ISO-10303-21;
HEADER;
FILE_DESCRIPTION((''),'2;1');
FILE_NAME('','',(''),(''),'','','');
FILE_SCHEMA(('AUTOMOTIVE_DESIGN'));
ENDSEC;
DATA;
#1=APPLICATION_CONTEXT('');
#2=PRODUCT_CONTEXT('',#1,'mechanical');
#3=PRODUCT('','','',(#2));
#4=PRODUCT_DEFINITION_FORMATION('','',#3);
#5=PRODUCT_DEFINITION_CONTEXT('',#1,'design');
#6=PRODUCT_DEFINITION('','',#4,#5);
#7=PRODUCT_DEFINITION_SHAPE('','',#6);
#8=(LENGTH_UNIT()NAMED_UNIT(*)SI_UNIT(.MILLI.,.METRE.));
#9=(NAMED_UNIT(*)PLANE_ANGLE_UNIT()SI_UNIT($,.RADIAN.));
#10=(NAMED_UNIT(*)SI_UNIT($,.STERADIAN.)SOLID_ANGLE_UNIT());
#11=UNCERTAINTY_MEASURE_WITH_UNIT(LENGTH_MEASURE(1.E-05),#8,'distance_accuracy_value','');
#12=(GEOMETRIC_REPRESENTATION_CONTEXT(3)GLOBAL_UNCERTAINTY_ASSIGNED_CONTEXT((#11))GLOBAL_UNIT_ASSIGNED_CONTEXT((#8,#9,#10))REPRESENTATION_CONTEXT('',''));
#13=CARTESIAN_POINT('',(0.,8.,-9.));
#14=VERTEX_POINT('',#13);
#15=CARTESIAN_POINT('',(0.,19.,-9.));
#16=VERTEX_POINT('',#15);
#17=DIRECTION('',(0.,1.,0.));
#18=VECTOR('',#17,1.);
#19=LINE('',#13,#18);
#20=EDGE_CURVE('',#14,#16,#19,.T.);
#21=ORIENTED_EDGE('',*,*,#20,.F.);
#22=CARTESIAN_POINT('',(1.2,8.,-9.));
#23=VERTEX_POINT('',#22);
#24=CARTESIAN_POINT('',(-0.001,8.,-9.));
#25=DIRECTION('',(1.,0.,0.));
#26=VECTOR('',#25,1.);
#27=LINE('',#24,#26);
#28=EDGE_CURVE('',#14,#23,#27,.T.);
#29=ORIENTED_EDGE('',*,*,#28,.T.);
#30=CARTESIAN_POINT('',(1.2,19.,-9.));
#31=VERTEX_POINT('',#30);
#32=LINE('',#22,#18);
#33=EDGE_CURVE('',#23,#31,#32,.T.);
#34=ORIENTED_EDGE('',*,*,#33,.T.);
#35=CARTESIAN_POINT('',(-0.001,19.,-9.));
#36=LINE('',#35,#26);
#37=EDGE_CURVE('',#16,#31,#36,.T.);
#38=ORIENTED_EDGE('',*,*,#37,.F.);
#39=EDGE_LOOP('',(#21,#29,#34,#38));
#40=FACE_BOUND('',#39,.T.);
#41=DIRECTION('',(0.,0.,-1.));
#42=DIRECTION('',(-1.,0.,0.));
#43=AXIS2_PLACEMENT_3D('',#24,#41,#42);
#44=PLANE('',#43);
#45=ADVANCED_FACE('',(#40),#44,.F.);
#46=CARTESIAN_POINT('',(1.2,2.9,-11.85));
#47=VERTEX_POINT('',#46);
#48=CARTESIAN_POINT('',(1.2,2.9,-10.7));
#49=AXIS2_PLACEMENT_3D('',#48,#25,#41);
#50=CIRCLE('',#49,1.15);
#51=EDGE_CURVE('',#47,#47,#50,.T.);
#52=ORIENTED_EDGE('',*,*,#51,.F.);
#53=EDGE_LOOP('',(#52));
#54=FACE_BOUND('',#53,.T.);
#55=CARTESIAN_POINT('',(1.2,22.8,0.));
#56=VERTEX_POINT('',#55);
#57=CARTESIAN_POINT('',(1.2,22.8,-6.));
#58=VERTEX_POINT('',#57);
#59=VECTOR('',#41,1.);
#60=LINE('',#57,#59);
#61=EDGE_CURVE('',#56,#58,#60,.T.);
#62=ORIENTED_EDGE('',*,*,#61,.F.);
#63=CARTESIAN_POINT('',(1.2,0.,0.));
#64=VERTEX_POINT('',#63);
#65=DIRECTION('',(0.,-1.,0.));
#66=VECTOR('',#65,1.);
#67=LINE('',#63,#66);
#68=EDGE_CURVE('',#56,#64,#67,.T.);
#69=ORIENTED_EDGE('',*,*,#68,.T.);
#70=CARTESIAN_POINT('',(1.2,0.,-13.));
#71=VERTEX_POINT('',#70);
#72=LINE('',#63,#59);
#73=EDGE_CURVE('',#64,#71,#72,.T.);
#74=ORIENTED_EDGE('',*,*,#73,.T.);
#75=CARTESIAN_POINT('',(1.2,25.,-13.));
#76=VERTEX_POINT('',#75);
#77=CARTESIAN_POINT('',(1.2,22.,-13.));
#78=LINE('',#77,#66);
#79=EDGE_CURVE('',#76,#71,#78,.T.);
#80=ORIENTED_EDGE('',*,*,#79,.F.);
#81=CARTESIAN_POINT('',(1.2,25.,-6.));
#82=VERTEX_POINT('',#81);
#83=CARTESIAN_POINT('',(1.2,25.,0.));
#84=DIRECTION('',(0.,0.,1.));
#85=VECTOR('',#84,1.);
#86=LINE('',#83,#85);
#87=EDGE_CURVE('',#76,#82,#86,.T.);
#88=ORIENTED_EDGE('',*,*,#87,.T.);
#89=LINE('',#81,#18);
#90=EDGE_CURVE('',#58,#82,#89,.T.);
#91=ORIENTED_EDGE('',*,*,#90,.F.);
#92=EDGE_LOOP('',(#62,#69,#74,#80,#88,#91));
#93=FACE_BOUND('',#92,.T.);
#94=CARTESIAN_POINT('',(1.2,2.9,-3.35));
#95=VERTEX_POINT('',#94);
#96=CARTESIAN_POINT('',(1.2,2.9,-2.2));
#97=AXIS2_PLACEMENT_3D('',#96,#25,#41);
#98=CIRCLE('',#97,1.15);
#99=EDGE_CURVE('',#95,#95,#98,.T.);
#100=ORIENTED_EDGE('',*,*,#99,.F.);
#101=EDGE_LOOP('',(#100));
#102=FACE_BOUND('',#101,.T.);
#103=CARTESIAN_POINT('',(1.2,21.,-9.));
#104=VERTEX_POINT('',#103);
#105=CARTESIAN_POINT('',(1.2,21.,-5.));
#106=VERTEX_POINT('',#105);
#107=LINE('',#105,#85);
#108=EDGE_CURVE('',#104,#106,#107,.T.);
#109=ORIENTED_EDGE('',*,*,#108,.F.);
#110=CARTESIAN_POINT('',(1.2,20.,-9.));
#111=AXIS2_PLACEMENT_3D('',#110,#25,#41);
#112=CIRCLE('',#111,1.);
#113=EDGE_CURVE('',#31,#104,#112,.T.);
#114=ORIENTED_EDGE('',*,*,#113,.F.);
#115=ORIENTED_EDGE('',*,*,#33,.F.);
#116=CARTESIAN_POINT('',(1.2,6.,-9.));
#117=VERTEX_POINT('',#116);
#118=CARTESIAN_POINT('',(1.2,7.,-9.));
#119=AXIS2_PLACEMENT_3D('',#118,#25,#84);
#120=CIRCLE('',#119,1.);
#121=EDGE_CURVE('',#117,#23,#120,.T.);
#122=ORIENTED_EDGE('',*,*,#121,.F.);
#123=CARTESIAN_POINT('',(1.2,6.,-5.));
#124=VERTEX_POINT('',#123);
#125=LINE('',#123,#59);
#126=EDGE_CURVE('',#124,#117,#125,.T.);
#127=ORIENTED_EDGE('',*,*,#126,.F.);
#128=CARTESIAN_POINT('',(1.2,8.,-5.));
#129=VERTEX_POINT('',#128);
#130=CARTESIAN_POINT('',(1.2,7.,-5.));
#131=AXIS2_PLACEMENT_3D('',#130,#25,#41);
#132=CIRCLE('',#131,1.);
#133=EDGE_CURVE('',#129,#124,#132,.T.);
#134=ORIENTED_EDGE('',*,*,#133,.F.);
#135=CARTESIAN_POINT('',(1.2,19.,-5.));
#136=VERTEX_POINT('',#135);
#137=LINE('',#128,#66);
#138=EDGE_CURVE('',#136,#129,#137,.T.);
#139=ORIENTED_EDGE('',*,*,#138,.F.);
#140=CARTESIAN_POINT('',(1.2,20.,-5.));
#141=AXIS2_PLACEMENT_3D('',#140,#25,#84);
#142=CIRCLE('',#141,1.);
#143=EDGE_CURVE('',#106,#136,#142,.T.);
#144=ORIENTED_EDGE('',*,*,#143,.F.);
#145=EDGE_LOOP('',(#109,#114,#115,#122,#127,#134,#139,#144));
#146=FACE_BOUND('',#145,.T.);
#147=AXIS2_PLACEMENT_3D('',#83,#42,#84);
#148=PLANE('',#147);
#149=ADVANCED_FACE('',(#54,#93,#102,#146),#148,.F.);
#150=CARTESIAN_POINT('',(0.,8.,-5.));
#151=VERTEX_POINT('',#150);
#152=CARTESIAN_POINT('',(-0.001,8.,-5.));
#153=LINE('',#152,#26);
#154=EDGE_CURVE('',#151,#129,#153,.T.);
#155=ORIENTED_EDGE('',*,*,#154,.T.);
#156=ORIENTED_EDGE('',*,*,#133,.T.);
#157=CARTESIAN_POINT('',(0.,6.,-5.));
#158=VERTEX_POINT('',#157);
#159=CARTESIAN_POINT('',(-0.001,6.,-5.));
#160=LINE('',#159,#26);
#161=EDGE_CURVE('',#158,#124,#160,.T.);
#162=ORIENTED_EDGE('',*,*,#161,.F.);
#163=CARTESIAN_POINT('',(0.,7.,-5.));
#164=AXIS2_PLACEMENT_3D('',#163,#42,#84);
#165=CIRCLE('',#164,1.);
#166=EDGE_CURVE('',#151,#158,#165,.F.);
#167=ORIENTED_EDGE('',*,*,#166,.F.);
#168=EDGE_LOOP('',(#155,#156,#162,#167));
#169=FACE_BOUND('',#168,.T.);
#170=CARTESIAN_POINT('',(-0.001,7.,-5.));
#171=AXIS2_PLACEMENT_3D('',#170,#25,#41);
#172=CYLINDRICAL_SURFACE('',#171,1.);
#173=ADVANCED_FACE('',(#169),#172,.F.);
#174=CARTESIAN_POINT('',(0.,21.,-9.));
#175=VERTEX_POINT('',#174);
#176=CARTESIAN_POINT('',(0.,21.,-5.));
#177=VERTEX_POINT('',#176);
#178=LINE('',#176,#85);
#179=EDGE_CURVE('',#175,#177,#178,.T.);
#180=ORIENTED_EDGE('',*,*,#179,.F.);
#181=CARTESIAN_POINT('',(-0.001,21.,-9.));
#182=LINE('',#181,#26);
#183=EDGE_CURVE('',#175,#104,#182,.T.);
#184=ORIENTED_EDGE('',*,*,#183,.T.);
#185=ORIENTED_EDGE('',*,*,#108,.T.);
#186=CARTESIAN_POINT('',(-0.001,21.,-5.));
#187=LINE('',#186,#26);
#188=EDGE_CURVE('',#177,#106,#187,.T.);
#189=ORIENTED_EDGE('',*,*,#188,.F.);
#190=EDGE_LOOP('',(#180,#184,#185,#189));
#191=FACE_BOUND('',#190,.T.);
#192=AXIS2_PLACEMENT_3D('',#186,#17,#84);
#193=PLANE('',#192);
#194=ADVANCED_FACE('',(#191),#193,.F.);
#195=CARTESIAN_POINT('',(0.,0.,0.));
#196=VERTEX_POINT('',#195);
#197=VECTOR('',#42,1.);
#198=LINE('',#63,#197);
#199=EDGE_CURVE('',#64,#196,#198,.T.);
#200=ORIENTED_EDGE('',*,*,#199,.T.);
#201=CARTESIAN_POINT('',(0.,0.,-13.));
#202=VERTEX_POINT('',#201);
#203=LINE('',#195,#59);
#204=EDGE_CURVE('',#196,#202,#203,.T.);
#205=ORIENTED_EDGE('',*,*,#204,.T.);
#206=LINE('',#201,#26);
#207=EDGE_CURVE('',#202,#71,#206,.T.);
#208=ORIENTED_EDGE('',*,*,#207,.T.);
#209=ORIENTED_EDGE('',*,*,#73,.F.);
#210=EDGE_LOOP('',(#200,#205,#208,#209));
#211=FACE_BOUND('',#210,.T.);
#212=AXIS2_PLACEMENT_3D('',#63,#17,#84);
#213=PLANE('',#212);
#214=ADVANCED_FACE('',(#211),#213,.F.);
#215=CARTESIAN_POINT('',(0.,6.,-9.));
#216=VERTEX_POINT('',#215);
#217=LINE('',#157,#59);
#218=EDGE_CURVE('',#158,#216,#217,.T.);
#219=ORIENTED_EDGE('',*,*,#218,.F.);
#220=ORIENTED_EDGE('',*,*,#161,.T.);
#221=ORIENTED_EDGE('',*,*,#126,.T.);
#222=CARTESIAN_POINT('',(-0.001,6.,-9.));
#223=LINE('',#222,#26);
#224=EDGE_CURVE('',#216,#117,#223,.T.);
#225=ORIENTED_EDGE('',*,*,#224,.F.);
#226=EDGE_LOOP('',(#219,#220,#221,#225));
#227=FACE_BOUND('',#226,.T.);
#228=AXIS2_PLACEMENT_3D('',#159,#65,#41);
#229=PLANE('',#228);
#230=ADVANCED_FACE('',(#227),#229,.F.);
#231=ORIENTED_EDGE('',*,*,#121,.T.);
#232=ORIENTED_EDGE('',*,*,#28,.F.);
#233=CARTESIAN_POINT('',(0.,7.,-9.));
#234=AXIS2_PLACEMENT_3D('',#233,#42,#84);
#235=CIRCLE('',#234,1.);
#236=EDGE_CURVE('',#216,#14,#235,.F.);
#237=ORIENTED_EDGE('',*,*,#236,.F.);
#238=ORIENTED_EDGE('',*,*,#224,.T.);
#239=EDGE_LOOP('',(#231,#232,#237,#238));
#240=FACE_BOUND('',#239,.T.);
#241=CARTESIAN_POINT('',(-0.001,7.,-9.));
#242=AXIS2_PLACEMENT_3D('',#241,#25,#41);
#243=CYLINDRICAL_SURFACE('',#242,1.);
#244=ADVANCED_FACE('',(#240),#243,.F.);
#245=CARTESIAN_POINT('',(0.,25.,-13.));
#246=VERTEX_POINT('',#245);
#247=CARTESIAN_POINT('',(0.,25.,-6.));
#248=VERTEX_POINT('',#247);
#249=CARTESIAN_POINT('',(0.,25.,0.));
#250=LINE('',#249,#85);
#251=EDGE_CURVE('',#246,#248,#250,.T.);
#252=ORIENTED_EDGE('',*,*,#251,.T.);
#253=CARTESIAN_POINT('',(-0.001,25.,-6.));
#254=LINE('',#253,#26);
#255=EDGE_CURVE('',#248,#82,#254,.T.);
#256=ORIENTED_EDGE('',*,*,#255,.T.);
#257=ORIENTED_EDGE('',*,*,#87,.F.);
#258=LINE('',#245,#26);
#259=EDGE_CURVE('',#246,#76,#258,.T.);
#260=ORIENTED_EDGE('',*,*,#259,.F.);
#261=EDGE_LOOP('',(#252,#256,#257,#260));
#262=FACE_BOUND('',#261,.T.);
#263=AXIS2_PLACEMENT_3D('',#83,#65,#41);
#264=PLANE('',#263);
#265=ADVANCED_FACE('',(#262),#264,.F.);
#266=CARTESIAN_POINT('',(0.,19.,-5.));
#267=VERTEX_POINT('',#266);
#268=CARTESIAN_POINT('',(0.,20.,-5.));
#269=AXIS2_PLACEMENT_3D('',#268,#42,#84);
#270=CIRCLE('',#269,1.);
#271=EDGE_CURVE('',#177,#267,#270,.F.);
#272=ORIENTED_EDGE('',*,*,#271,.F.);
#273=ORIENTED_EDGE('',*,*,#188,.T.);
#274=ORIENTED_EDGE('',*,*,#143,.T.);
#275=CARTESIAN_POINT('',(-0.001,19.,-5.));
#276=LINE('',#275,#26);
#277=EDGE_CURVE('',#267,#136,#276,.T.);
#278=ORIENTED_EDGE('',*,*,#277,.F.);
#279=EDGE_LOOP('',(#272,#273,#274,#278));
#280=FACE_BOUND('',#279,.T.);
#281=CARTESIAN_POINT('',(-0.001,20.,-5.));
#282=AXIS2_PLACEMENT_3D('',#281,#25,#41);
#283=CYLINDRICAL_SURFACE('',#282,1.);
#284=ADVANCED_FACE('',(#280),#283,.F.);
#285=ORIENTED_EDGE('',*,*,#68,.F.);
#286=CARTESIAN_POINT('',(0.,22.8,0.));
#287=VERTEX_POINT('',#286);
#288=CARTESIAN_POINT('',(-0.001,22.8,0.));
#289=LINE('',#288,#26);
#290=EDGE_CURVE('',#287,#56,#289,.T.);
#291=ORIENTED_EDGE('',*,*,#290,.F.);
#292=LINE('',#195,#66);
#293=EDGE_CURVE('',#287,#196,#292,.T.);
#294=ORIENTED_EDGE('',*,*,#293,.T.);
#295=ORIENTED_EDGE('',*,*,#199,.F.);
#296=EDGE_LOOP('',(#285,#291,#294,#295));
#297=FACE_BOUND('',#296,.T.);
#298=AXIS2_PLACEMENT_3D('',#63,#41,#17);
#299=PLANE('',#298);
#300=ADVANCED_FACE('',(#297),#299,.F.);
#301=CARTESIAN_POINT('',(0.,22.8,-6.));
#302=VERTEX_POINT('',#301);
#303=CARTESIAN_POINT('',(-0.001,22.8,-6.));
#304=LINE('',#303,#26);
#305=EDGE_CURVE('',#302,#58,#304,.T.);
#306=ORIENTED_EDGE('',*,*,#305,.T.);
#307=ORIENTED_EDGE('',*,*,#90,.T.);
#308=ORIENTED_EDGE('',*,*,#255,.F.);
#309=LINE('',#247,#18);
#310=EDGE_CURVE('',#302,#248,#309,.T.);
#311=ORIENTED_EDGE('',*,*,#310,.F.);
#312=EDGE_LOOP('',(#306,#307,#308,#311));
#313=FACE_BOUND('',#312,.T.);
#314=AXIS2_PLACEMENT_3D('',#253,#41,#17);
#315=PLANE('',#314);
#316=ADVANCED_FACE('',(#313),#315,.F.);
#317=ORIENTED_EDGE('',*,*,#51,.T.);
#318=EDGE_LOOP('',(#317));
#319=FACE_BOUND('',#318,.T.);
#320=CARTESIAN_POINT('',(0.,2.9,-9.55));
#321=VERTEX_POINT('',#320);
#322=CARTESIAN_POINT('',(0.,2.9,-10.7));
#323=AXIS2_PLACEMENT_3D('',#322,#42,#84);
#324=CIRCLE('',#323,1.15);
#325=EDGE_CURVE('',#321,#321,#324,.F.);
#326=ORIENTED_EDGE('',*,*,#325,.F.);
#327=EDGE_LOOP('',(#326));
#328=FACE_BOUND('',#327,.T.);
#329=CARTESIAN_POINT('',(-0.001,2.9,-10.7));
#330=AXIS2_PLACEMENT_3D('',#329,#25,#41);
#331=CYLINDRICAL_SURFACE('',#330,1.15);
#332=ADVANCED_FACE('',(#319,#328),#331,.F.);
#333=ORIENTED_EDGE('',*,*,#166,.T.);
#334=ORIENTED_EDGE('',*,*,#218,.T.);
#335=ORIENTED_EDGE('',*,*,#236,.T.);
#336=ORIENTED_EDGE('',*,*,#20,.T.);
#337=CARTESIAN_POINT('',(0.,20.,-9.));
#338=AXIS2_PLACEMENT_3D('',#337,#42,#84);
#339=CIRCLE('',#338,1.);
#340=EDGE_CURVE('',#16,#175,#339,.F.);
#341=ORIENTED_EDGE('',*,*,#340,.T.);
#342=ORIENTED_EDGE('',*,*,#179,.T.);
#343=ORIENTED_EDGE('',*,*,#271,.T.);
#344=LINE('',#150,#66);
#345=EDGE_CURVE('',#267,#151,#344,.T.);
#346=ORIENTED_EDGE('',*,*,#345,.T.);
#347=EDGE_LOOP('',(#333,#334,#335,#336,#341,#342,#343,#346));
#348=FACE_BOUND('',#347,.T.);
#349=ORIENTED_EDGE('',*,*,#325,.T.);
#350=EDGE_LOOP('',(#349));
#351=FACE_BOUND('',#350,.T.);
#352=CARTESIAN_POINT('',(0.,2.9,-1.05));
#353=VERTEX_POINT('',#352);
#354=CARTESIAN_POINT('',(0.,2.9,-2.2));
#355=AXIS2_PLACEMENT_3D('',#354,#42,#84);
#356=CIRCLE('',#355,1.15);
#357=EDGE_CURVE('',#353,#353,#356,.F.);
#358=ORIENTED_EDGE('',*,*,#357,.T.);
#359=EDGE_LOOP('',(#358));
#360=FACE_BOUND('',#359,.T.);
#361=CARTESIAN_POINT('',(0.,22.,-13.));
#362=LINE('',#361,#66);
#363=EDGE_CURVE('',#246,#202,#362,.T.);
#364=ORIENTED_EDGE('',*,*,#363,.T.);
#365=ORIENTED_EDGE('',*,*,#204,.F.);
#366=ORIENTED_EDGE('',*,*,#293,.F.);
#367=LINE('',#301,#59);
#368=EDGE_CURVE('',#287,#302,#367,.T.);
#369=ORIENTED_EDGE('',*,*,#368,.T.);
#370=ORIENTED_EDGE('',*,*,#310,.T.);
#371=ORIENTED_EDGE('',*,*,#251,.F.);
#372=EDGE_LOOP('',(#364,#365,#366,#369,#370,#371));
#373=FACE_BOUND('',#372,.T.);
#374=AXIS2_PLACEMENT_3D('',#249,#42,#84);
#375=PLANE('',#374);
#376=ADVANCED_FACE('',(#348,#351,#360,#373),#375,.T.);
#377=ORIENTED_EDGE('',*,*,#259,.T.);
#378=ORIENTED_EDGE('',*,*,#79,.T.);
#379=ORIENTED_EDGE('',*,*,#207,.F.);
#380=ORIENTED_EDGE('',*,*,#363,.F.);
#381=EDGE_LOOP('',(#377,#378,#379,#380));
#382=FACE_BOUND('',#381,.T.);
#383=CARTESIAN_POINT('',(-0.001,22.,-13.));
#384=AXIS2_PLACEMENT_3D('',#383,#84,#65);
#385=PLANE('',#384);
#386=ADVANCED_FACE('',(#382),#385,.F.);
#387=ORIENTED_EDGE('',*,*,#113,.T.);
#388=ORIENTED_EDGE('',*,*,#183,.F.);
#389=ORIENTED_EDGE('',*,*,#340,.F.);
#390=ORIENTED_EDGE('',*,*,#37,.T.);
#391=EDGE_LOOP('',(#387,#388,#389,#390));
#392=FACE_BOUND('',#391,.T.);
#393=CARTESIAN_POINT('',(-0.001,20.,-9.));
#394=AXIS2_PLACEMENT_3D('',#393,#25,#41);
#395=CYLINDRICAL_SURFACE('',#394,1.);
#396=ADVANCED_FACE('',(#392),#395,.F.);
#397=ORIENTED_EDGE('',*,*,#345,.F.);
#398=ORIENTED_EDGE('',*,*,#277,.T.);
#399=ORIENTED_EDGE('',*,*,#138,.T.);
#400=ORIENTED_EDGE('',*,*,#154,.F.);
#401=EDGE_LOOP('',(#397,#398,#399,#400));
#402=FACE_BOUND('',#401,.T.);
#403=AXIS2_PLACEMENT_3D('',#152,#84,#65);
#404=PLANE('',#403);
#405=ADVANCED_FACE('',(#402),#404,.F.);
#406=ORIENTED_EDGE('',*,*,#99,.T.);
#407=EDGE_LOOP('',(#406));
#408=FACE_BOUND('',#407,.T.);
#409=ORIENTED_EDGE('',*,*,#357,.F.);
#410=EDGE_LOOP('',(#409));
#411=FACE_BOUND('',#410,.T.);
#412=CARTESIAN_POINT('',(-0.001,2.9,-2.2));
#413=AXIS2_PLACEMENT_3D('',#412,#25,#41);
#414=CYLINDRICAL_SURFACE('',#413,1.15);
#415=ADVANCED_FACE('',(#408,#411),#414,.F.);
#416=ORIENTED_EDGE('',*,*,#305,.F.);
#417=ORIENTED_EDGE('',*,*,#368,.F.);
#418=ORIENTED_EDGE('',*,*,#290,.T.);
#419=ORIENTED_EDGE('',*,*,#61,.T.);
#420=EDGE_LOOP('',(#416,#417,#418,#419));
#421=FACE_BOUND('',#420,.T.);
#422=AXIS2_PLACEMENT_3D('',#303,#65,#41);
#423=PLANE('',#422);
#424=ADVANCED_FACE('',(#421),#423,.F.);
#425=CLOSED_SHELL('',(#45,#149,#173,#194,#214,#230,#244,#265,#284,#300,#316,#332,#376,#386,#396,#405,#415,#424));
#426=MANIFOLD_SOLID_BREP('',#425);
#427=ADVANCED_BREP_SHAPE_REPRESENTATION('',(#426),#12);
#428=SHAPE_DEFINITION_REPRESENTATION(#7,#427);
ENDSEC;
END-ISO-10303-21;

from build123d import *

# Parameters (mm, degrees)
SKETCH_1_W          = 15
SKETCH_1_H          = 25
EXTRUDE_1_DEPTH     = 1.2
CUT_EXTRUDE_1_REACH = 3.2
SKETCH_2_R          = 1.15
SKETCH_2_W          = 6
SKETCH_2_H          = 2.2
SKETCH_2_W_2        = 2
SKETCH_2_H_2        = 17
SKETCH_3_W          = 2
SKETCH_3_H          = 5
CUT_EXTRUDE_2_DEPTH = 2.2
SKETCH_4_W          = 2
SKETCH_4_H          = 3
CUT_EXTRUDE_3_DEPTH = 2.2


with BuildPart() as part:
    # Эскиз1 → Вытянуть1 (new body)
    with BuildSketch(Plane(origin=(0, 0, 0), x_dir=(0, 0, -1), z_dir=(1, 0, 0))):
        with Locations((7.5, 12.5)):
            Rectangle(SKETCH_1_W, SKETCH_1_H)
    extrude(amount=EXTRUDE_1_DEPTH)

    # Эскиз2 → Вырез-Вытянуть1 (cut, up to next)
    with BuildSketch(Plane(origin=(1.2, 0, 0), x_dir=(0, 0, -1), z_dir=(1, 0, 0)), mode=Mode.PRIVATE) as cut_extrude_1_sk1:
        with Locations((10.7, 2.9)):
            Circle(SKETCH_2_R)
    cut_extrude_1_tool1 = extrude(cut_extrude_1_sk1.sketch, amount=-CUT_EXTRUDE_1_REACH, mode=Mode.PRIVATE) & part.part
    add(cut_extrude_1_tool1.solids().sort_by_distance((1.2, 2.9, -10.7))[0], mode=Mode.SUBTRACT)
    # Эскиз2 → Вырез-Вытянуть1 (cut, up to next)
    with BuildSketch(Plane(origin=(1.2, 0, 0), x_dir=(0, 0, -1), z_dir=(1, 0, 0)), mode=Mode.PRIVATE) as cut_extrude_1_sk2:
        with Locations((2.2, 2.9)):
            Circle(SKETCH_2_R)
    cut_extrude_1_tool2 = extrude(cut_extrude_1_sk2.sketch, amount=-CUT_EXTRUDE_1_REACH, mode=Mode.PRIVATE) & part.part
    add(cut_extrude_1_tool2.solids().sort_by_distance((1.2, 2.9, -2.2))[0], mode=Mode.SUBTRACT)
    # Эскиз2 → Вырез-Вытянуть1 (cut, up to next)
    with BuildSketch(Plane(origin=(1.2, 0, 0), x_dir=(0, 0, -1), z_dir=(1, 0, 0)), mode=Mode.PRIVATE) as cut_extrude_1_sk3:
        with Locations((3, 23.9)):
            Rectangle(SKETCH_2_W, SKETCH_2_H)
    cut_extrude_1_tool3 = extrude(cut_extrude_1_sk3.sketch, amount=-CUT_EXTRUDE_1_REACH, mode=Mode.PRIVATE) & part.part
    add(cut_extrude_1_tool3.solids().sort_by_distance((1.2, 23.9, -3))[0], mode=Mode.SUBTRACT)
    # Эскиз2 → Вырез-Вытянуть1 (cut, up to next)
    with BuildSketch(Plane(origin=(1.2, 0, 0), x_dir=(0, 0, -1), z_dir=(1, 0, 0)), mode=Mode.PRIVATE) as cut_extrude_1_sk4:
        with BuildLine():
            Line((5, 6), (9, 6))
            ThreePointArc((9, 6), (10, 7), (9, 8))
            Line((9, 8), (9, 19))
            ThreePointArc((9, 19), (10, 20), (9, 21))
            Line((9, 21), (5, 21))
            ThreePointArc((5, 21), (4, 20), (5, 19))
            Line((5, 19), (5, 8))
            ThreePointArc((5, 8), (4, 7), (5, 6))
        make_face()
    cut_extrude_1_tool4 = extrude(cut_extrude_1_sk4.sketch, amount=-CUT_EXTRUDE_1_REACH, mode=Mode.PRIVATE) & part.part
    add(cut_extrude_1_tool4.solids().sort_by_distance((1.2, 13.5, -7))[0], mode=Mode.SUBTRACT)
    # Эскиз2 → Вырез-Вытянуть1 (cut, up to next)
    with BuildSketch(Plane(origin=(1.2, 0, 0), x_dir=(0, 0, -1), z_dir=(1, 0, 0)), mode=Mode.PRIVATE) as cut_extrude_1_sk5:
        with Locations((14, 13.5)):
            Rectangle(SKETCH_2_W_2, SKETCH_2_H_2)
    cut_extrude_1_tool5 = extrude(cut_extrude_1_sk5.sketch, amount=-CUT_EXTRUDE_1_REACH, mode=Mode.PRIVATE) & part.part
    add(cut_extrude_1_tool5.solids().sort_by_distance((1.2, 13.5, -14))[0], mode=Mode.SUBTRACT)

    # Эскиз3 → Вырез-Вытянуть2 (cut, through all)
    with BuildSketch(Plane(origin=(1.2, 0, 0), x_dir=(0, 0, -1), z_dir=(1, 0, 0))):
        with Locations((14, 2.5)):
            Rectangle(SKETCH_3_W, SKETCH_3_H)
    extrude(amount=-CUT_EXTRUDE_2_DEPTH, mode=Mode.SUBTRACT)

    # Эскиз4 → Вырез-Вытянуть3 (cut, through all)
    with BuildSketch(Plane(origin=(1.2, 0, 0), x_dir=(0, 0, -1), z_dir=(1, 0, 0))):
        with Locations((14, 23.5)):
            Rectangle(SKETCH_4_W, SKETCH_4_H)
    extrude(amount=-CUT_EXTRUDE_3_DEPTH, mode=Mode.SUBTRACT)


solid = part.part
